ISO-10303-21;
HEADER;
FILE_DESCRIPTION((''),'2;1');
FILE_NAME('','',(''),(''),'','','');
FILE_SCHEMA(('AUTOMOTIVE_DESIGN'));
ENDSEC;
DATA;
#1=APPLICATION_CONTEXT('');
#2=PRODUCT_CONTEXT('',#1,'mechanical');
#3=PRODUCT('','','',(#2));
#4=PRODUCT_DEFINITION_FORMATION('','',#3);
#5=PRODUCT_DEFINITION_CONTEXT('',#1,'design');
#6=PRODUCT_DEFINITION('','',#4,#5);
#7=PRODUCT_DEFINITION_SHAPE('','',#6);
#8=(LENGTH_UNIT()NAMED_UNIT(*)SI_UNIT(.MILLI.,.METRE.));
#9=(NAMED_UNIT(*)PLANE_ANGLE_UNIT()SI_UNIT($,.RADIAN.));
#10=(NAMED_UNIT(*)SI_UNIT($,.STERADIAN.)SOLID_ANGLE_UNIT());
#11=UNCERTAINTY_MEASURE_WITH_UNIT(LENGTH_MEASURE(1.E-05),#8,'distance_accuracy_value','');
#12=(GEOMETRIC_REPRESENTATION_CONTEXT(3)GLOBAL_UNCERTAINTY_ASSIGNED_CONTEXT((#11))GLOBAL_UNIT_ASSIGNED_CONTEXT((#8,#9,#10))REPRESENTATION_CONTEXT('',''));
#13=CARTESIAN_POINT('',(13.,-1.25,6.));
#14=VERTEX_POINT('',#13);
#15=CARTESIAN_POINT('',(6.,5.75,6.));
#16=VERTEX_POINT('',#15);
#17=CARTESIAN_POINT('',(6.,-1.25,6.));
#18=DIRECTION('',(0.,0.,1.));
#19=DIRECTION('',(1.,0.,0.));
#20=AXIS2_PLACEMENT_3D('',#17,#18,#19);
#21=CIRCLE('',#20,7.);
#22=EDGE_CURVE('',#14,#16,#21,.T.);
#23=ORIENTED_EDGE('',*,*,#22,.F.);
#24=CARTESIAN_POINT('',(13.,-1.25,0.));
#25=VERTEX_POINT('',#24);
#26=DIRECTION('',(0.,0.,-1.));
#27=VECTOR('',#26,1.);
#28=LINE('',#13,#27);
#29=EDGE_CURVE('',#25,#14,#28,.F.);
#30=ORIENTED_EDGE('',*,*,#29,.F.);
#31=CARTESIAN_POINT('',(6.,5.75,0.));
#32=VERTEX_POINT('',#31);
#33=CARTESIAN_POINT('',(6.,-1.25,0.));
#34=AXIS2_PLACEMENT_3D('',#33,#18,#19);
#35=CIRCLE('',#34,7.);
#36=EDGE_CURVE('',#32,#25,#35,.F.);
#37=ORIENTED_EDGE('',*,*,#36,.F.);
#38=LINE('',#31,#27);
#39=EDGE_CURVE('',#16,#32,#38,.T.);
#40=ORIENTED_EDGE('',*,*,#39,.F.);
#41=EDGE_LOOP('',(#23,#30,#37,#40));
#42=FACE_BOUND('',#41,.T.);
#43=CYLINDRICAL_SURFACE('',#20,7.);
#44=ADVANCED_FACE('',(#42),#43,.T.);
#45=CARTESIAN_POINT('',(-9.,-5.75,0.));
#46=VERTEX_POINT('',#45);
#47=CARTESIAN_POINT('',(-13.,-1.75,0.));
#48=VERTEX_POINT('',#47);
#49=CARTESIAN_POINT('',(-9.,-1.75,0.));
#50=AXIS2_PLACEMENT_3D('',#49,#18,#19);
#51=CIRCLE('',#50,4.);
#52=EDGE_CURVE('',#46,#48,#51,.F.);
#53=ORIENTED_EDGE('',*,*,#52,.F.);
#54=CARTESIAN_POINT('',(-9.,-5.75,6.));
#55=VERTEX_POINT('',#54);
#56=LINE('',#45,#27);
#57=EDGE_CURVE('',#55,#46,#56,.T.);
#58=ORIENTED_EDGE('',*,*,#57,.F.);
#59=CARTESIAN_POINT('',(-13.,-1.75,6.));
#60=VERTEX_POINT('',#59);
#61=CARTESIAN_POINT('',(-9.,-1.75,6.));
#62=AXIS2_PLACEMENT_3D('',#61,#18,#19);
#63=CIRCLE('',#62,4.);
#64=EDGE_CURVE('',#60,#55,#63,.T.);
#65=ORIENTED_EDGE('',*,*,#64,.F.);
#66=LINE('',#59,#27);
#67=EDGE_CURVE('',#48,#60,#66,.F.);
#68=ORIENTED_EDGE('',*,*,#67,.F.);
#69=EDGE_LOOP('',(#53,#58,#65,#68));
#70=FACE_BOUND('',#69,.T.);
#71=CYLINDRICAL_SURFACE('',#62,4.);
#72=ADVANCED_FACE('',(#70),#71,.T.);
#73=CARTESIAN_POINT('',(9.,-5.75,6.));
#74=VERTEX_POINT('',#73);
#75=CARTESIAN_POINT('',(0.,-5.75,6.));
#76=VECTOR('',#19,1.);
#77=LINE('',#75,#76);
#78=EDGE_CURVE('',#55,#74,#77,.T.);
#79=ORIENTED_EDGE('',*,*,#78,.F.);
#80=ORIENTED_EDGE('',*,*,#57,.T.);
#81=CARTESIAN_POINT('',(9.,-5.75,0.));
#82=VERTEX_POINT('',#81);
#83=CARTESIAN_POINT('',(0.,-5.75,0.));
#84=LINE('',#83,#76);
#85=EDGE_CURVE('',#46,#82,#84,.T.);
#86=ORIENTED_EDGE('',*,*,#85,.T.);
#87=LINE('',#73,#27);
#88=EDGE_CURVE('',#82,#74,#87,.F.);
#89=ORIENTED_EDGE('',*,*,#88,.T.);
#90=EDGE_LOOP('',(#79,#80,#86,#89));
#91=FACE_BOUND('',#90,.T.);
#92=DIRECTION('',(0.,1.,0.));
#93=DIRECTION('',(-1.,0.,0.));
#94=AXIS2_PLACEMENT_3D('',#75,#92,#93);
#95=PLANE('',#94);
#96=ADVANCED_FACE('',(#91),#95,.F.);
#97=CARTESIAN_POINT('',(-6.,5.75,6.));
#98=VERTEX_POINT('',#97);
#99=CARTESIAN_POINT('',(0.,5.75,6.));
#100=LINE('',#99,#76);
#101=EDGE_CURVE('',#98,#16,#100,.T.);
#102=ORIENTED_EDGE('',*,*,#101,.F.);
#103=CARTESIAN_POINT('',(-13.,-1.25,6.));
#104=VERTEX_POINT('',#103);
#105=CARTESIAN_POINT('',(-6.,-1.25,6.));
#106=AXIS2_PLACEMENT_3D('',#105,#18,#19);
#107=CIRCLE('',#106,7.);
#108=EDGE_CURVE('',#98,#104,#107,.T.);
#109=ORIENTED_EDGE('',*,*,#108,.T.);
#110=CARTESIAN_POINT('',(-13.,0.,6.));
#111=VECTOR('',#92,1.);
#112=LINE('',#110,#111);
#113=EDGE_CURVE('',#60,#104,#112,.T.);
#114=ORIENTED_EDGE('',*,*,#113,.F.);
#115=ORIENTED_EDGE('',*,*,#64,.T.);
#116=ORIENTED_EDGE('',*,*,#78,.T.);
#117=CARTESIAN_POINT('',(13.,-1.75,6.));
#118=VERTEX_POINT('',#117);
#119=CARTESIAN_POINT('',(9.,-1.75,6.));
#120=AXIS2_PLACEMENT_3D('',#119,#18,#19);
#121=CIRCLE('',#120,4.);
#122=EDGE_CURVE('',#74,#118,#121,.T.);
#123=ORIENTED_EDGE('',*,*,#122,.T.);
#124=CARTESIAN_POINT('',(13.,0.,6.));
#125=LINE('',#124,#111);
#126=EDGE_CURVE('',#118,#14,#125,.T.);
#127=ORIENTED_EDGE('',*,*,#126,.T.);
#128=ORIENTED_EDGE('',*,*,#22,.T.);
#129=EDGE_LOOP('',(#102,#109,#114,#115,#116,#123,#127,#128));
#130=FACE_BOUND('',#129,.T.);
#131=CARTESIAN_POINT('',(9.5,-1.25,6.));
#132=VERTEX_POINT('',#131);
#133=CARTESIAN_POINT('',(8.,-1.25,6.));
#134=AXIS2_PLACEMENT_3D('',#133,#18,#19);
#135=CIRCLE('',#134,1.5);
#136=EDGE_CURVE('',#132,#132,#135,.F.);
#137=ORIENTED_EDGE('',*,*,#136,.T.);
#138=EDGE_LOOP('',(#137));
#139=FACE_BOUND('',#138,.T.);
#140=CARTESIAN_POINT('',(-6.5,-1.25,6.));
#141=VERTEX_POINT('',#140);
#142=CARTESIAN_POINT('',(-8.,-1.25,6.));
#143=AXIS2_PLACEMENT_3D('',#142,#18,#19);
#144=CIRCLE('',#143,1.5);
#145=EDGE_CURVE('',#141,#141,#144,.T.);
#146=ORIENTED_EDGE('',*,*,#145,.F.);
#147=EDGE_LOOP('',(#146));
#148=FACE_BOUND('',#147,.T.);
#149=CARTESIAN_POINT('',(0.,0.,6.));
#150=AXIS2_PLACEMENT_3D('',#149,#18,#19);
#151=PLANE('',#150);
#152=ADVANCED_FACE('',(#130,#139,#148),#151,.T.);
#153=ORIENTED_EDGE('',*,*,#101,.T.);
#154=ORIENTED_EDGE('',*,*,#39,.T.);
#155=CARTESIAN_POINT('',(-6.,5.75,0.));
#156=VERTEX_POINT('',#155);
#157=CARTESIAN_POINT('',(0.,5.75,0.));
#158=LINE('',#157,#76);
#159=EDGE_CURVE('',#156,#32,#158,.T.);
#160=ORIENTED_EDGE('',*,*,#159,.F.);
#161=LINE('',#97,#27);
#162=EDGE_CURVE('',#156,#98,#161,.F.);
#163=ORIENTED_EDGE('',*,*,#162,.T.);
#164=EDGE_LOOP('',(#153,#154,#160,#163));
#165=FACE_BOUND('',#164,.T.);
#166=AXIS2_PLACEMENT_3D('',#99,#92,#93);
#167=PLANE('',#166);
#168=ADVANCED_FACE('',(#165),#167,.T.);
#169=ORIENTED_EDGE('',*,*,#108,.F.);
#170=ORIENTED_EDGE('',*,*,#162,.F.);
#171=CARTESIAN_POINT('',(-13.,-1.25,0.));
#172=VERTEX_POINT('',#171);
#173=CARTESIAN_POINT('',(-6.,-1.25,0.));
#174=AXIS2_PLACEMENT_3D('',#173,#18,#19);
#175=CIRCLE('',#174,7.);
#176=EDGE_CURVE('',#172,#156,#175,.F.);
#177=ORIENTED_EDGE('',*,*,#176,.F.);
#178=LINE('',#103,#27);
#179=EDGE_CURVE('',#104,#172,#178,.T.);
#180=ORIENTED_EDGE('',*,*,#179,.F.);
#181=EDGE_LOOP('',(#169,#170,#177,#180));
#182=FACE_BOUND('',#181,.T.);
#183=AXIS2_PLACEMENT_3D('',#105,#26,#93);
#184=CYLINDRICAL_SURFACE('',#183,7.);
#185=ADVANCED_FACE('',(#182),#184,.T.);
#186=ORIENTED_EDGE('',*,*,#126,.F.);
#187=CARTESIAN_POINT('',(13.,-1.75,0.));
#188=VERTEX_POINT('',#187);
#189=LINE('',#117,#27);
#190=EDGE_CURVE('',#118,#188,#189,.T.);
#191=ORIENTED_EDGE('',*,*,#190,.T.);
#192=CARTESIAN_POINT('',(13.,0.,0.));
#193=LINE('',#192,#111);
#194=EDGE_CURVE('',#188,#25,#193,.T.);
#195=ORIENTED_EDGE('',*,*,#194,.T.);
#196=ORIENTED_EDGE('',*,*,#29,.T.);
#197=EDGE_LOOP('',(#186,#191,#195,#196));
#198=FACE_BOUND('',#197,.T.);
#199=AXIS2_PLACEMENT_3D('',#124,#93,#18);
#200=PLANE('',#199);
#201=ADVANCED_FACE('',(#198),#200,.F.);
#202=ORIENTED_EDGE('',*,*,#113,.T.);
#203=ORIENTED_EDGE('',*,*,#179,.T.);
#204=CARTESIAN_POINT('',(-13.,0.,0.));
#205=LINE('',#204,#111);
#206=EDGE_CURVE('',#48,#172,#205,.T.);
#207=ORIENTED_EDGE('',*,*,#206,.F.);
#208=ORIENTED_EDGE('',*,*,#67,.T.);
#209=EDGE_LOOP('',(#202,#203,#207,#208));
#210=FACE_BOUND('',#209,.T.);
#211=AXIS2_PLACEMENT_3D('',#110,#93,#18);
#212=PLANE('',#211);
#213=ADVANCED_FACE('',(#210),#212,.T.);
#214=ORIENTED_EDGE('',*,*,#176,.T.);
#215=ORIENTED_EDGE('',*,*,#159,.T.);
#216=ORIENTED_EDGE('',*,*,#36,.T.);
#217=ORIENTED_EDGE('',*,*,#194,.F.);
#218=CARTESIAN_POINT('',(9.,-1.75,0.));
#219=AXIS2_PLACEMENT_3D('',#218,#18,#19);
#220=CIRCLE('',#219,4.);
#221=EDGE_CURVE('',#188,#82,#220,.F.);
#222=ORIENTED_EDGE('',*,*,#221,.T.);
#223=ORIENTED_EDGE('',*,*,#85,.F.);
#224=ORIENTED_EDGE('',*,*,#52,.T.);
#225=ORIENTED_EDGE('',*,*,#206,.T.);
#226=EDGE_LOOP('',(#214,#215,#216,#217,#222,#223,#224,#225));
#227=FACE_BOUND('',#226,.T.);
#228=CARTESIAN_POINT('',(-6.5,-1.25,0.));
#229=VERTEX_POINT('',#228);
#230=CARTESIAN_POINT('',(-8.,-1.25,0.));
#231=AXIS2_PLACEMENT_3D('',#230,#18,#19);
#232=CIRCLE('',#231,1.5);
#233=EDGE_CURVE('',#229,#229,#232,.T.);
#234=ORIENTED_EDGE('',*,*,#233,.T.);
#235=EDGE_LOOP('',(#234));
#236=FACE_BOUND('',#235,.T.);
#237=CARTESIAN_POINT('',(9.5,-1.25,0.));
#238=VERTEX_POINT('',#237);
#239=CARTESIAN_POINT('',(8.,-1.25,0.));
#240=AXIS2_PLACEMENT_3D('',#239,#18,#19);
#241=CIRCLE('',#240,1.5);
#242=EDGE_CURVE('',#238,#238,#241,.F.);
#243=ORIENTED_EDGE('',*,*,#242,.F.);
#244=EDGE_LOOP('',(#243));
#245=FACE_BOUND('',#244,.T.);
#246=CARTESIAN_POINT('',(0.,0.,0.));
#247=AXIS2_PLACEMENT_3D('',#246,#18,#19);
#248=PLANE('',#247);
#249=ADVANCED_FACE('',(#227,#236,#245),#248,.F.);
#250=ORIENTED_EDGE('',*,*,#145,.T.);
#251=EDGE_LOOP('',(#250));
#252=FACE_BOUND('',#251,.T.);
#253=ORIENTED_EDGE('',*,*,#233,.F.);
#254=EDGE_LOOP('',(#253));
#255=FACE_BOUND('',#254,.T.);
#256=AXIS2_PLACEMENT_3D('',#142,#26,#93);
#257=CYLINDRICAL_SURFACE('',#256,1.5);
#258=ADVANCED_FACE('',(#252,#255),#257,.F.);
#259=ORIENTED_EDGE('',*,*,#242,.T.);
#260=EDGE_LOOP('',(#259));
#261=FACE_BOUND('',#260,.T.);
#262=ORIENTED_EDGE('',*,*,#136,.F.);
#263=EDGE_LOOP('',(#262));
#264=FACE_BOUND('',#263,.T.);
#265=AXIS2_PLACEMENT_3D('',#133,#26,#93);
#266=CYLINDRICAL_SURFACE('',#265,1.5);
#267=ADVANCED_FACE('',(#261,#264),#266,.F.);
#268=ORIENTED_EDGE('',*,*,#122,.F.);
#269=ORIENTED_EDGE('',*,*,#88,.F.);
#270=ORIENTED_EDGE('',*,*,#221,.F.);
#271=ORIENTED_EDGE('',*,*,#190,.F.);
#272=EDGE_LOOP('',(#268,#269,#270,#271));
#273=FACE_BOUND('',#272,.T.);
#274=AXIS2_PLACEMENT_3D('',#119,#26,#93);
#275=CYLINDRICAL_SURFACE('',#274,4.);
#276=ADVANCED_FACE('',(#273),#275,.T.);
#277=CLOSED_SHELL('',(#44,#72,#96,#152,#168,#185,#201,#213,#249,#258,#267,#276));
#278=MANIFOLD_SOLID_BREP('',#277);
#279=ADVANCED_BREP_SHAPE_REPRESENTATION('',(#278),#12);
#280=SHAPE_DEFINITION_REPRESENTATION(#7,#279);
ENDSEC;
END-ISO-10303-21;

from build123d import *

# Parameters (mm, degrees)
ESBO_O1_W                = 26
ESBO_O1_H                = 11.5
ESBO_O1_R                = 1.5
RESSALTO_EXTRUS_O1_DEPTH = 6
FILETE1_R                = 7
FILETE2_R                = 4


with BuildPart() as part:
    # Esboço1 → Ressalto-extrusão1 (new body)
    with BuildSketch(Plane.XY):
        Rectangle(ESBO_O1_W, ESBO_O1_H)
        with Locations((-8, -1.25)):
            Circle(ESBO_O1_R, mode=Mode.SUBTRACT)
        with Locations((8, -1.25)):
            Circle(ESBO_O1_R, mode=Mode.SUBTRACT)
    extrude(amount=RESSALTO_EXTRUS_O1_DEPTH)

    # Filete1
    filete1_edges = [part.edges().sort_by_distance(p)[0] for p in [
        (-13, 5.75, 3),
        (13, 5.75, 3),
    ]]
    fillet(filete1_edges, radius=FILETE1_R)

    # Filete2
    filete2_edges = [part.edges().sort_by_distance(p)[0] for p in [
        (-13, -5.75, 3),
        (13, -5.75, 3),
    ]]
    fillet(filete2_edges, radius=FILETE2_R)


solid = part.part
